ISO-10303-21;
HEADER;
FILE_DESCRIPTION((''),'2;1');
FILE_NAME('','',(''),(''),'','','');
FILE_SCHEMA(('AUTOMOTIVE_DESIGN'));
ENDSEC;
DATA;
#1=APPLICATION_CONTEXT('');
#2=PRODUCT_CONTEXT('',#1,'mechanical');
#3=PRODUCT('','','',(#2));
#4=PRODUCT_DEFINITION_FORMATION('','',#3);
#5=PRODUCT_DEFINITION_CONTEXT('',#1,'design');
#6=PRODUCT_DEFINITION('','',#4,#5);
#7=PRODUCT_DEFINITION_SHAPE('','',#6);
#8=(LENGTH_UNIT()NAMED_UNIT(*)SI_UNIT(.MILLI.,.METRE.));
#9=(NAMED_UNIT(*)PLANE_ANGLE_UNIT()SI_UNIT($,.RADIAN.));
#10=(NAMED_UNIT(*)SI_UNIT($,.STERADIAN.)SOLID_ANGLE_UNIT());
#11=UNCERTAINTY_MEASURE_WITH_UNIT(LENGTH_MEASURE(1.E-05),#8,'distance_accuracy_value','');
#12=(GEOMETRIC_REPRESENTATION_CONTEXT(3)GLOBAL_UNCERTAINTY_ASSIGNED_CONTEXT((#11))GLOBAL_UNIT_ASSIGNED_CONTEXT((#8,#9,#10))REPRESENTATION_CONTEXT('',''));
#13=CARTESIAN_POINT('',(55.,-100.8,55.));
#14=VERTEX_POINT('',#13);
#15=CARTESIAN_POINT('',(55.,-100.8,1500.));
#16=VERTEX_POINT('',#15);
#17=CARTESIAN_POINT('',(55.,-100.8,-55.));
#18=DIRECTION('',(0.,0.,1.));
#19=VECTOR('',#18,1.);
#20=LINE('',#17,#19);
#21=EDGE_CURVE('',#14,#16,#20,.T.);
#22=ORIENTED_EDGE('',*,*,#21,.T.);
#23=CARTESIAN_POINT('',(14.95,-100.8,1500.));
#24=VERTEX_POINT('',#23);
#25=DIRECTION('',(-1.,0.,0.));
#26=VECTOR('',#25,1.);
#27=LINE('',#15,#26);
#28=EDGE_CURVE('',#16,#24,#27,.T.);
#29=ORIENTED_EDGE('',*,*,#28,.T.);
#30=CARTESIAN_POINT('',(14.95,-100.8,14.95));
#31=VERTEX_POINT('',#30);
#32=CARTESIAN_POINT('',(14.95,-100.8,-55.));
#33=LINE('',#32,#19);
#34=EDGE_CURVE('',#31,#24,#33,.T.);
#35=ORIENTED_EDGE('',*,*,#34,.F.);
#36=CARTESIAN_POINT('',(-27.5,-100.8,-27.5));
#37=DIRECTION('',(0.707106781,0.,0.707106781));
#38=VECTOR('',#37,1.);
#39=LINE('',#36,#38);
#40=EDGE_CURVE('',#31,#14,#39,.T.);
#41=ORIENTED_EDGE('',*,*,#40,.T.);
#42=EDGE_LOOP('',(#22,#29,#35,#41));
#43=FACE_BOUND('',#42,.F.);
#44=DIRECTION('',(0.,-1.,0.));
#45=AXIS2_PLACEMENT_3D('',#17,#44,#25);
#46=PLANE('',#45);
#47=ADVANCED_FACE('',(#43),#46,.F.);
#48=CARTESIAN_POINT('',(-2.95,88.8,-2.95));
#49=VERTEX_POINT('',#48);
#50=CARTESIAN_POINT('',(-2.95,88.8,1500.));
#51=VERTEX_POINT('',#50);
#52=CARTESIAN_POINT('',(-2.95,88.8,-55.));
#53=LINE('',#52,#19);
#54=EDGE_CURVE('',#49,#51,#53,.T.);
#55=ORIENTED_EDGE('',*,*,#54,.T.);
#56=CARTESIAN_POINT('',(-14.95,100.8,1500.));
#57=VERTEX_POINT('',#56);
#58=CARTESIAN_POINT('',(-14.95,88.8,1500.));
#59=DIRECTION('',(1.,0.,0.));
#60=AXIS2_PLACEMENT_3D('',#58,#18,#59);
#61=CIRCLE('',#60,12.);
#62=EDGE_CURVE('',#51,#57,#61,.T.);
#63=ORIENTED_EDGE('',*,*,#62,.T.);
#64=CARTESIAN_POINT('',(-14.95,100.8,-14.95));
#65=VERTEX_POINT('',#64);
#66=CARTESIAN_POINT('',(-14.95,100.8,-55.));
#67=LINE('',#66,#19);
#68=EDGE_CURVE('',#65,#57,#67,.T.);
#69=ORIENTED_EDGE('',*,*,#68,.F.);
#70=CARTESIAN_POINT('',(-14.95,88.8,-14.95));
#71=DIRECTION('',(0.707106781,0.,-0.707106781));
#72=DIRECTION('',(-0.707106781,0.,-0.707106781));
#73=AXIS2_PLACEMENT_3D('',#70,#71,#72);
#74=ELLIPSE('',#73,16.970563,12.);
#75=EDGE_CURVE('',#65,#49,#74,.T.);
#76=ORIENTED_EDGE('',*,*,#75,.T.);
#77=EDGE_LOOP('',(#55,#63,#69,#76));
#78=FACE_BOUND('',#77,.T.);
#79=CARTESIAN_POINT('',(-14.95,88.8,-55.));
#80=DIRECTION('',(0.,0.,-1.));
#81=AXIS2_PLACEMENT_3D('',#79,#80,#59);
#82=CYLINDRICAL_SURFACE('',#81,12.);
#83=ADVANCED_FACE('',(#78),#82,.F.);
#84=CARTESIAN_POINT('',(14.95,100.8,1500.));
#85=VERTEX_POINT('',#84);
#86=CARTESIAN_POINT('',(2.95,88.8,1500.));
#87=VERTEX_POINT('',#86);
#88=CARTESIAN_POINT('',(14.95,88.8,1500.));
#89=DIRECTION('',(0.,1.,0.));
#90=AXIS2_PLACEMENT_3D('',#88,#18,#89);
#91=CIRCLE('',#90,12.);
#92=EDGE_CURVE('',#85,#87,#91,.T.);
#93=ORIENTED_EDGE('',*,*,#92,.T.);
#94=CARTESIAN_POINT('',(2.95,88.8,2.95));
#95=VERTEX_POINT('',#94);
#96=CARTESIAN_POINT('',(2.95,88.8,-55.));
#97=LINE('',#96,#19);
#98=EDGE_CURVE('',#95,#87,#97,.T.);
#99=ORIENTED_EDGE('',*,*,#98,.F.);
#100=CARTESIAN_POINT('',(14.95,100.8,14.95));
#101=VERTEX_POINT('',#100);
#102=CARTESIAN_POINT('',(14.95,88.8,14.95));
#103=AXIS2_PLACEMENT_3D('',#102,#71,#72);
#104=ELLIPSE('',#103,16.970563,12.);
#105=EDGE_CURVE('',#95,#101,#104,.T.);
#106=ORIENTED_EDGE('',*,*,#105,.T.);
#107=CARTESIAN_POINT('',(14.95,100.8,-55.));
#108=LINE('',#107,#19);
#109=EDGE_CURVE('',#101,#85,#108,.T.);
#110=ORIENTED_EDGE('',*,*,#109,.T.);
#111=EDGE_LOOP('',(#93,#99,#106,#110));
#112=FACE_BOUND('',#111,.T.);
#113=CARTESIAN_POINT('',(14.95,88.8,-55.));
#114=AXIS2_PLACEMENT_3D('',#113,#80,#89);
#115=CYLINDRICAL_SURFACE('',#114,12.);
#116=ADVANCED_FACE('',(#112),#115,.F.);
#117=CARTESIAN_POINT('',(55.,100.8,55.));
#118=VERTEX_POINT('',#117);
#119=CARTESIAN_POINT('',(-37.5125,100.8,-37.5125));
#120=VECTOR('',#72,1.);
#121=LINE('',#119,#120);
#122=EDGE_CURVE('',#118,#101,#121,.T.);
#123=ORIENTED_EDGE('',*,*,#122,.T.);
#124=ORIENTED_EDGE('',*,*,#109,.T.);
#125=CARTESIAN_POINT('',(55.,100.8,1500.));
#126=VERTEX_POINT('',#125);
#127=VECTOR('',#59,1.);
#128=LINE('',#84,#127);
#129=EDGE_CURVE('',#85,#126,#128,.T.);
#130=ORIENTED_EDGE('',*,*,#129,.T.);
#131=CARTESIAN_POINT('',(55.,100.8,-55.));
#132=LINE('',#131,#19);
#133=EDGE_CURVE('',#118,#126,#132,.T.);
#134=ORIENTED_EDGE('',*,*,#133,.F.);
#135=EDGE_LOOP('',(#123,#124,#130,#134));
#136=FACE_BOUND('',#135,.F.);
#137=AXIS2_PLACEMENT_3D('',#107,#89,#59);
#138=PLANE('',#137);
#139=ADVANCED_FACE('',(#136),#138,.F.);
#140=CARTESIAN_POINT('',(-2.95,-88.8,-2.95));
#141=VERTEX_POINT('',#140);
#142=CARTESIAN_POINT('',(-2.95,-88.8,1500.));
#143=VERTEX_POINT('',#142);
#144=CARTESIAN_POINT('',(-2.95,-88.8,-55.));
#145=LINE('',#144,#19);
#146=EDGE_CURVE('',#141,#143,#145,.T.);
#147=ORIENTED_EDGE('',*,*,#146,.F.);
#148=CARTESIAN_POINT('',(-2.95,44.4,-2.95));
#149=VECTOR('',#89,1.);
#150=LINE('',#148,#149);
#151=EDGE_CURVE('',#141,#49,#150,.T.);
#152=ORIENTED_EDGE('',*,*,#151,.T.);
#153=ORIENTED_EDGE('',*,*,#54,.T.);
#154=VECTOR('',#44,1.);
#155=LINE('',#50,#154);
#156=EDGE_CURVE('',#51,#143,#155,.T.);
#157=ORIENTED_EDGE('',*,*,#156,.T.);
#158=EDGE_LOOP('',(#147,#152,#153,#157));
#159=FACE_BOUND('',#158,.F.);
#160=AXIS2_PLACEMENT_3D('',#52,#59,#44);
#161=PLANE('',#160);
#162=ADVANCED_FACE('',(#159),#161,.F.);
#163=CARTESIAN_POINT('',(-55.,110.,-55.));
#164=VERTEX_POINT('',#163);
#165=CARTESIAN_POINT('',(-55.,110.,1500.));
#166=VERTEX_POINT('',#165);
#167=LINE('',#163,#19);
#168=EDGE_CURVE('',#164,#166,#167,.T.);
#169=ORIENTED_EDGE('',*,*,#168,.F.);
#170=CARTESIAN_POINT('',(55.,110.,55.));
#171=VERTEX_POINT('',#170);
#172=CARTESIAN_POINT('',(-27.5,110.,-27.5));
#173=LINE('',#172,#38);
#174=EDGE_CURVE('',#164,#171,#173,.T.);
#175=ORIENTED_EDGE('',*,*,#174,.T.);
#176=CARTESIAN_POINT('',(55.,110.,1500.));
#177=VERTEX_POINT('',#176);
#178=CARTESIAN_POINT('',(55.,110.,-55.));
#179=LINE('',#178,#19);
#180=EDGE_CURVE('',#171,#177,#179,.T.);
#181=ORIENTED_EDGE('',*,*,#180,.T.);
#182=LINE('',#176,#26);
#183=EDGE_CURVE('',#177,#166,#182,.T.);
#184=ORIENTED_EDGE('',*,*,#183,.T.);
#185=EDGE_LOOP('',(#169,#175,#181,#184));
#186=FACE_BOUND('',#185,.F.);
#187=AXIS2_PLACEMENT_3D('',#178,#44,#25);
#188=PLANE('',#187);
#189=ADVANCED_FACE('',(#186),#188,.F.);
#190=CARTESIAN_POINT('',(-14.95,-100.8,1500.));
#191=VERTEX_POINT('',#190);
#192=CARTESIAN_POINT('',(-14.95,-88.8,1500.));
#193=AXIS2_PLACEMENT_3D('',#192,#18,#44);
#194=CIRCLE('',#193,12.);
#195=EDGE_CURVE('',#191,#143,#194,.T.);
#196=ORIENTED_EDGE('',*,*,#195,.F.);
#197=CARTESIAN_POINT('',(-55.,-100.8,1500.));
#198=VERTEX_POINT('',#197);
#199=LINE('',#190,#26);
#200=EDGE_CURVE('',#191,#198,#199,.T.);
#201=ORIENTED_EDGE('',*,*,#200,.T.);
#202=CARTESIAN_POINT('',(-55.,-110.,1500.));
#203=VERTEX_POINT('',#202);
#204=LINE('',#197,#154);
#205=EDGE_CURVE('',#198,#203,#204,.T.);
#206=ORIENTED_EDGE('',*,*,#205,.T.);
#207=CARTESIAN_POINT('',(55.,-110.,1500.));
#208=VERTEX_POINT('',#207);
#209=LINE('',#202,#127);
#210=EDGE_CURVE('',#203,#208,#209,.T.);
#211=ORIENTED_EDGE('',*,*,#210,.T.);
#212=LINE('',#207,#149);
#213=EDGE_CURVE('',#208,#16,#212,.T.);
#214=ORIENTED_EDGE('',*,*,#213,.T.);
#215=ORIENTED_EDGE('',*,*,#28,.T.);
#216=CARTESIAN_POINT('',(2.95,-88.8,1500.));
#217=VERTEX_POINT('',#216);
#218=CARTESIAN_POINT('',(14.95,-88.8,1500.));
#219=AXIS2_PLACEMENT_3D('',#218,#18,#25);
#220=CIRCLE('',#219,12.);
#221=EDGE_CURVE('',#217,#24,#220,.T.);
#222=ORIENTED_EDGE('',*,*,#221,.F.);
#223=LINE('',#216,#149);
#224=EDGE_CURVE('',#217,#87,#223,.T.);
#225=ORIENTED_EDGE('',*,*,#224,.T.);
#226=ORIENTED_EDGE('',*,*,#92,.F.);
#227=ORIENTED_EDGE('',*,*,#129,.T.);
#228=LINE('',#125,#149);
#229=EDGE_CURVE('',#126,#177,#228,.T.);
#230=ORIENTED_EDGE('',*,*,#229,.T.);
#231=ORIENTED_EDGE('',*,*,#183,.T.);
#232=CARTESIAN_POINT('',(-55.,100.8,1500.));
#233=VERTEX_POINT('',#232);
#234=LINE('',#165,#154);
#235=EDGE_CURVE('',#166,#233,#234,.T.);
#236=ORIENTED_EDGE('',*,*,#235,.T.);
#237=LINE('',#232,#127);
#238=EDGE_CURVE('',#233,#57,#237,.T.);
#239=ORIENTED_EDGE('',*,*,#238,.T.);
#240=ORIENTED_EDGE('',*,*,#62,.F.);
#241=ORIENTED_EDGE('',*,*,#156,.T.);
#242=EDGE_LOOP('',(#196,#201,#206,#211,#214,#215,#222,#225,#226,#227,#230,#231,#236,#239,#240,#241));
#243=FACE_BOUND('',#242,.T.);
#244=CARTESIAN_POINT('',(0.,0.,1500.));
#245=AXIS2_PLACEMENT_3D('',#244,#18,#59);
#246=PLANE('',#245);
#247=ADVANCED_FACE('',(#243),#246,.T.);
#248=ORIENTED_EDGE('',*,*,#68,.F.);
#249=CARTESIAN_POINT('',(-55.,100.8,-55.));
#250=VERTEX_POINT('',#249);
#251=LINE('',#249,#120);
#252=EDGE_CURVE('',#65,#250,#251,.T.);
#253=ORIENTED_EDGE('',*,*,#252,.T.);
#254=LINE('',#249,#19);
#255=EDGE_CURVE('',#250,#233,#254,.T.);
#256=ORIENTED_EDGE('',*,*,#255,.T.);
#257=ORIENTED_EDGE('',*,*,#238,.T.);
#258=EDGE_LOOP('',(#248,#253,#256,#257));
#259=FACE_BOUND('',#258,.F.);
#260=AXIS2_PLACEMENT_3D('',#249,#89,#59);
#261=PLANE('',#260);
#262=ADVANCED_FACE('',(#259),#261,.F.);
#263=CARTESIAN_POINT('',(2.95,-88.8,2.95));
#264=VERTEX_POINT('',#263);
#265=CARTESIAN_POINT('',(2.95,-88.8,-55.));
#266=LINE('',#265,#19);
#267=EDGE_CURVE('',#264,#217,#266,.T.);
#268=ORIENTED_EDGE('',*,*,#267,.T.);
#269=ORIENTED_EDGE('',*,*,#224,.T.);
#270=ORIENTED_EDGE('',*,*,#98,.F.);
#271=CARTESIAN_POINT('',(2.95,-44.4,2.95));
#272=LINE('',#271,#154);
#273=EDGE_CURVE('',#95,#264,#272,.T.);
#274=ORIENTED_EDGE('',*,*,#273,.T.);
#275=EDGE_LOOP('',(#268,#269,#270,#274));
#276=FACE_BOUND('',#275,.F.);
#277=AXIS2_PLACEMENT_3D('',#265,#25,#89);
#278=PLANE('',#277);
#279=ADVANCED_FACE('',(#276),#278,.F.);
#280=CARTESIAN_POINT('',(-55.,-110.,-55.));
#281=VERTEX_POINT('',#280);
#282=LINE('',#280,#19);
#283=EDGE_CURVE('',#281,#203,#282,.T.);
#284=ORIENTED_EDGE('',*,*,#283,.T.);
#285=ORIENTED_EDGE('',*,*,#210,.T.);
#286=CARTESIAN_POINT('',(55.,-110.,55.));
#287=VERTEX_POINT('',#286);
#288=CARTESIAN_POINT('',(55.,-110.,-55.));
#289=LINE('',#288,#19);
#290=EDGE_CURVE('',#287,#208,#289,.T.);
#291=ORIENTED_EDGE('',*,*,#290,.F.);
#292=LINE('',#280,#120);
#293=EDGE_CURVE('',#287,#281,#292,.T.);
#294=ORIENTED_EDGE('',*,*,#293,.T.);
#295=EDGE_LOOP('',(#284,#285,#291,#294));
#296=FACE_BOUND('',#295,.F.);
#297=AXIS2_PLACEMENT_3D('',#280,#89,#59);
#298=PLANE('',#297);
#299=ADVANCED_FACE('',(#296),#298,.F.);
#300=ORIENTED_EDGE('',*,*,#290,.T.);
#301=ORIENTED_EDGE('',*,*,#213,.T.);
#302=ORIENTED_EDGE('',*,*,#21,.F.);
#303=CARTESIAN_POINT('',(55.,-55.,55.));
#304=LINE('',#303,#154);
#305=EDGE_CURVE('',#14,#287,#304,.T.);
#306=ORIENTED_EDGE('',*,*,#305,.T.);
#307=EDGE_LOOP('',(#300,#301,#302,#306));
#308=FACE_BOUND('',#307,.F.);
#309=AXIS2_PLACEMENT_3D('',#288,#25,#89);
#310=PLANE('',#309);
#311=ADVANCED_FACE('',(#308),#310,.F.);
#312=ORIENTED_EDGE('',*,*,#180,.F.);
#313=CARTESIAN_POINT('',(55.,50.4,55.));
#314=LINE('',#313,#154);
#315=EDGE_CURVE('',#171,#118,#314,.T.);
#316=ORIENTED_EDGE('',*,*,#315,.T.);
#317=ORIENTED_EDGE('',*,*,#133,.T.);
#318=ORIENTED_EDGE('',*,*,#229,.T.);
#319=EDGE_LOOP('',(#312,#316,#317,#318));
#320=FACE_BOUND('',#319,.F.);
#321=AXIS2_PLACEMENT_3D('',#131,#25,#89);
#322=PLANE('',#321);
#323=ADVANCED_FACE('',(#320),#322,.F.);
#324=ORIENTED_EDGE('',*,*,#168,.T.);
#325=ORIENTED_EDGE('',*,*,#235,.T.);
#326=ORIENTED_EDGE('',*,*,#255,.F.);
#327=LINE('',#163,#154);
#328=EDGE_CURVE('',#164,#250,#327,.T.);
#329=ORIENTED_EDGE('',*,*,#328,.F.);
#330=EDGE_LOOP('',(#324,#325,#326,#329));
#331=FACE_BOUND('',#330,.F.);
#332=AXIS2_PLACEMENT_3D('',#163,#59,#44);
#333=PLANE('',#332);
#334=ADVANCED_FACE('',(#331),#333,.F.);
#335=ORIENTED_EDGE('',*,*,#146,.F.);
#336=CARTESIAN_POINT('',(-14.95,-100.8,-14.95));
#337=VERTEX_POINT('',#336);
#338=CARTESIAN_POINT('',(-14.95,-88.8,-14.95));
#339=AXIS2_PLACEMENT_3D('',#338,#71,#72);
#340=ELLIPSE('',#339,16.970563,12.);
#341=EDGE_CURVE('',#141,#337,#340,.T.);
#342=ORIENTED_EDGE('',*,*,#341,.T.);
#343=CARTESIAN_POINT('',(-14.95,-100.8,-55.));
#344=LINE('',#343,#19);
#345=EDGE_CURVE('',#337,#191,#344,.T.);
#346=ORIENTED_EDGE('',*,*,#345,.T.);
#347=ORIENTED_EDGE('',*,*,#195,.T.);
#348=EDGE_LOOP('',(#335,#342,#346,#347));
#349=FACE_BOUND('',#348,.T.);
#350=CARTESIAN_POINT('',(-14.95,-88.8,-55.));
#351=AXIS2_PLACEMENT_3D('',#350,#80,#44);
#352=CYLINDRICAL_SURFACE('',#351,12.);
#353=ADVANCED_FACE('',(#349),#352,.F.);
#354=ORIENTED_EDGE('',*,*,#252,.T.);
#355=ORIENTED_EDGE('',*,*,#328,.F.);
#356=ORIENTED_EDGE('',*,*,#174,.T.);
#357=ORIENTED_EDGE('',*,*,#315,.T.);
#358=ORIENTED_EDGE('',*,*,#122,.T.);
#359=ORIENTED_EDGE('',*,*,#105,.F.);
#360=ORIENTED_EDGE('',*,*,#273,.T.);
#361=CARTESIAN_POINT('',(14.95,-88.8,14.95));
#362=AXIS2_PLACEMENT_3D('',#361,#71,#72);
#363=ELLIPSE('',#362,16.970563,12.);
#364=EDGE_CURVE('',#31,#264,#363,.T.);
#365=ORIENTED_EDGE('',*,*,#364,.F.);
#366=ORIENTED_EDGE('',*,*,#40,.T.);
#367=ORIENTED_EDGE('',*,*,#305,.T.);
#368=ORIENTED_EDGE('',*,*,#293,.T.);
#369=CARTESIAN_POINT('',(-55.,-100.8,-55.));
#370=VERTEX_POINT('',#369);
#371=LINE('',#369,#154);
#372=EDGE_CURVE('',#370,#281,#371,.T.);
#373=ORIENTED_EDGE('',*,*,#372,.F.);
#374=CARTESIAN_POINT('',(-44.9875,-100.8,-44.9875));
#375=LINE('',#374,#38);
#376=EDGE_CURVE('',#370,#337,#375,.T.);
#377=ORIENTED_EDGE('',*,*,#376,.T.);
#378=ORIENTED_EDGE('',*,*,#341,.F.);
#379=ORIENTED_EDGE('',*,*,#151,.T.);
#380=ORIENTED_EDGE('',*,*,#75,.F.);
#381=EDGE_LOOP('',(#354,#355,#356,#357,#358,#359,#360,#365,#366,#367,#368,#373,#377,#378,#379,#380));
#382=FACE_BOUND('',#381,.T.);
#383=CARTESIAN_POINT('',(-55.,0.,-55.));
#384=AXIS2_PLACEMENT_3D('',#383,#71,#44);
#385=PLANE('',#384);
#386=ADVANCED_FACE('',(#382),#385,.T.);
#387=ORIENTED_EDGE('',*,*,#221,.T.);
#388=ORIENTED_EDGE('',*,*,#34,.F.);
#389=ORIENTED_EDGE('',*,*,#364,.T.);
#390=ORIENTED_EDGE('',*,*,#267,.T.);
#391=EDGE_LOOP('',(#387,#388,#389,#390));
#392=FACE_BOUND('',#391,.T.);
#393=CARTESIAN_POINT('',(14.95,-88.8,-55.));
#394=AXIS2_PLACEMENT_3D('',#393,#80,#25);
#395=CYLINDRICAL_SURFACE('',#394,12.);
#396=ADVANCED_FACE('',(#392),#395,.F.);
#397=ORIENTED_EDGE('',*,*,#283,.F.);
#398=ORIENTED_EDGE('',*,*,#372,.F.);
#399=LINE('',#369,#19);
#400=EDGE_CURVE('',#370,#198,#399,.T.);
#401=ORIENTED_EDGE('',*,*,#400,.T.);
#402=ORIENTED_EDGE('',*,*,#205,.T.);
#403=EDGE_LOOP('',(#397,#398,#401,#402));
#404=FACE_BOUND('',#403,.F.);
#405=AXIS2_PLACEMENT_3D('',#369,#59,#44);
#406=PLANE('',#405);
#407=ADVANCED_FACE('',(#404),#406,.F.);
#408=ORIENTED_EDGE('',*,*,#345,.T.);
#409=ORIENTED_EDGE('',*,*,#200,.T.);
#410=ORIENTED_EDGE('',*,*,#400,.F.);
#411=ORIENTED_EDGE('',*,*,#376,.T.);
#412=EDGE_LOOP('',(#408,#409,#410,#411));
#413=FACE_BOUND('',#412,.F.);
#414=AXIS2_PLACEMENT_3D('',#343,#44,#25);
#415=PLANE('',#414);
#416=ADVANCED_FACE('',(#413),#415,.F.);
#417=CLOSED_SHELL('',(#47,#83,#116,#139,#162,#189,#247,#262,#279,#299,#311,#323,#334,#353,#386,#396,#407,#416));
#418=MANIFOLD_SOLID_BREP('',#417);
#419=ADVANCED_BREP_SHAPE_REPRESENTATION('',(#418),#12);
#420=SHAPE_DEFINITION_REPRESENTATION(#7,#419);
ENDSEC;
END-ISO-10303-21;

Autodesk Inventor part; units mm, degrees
ref_plane "Start plane" through (0, 0, -55) normal (0, 0, 1) x (1, 0, 0)
ref_plane "End plane" through (0, 0, 1500) normal (0, 0, 1) x (1, 0, 0)
sketch "Sketch2" plane through (0, 0, 0) normal (0, 0, 1) x (1, 0, 0)
  line L0 (-55, 100.8) -> (-14.95, 100.8)
  line L1 (-55, 110) -> (-55, 100.8)
  line L2 (55, 110) -> (-55, 110)
  line L3 (55, 100.8) -> (55, 110)
  line L4 (14.95, 100.8) -> (55, 100.8)
  line L5 (2.95, -88.8) -> (2.95, 88.8)
  line L6 (55, -100.8) -> (14.95, -100.8)
  line L7 (55, -110) -> (55, -100.8)
  line L8 (-55, -100.8) -> (-55, -110)
  line L9 (-14.95, -100.8) -> (-55, -100.8)
  line L10 (-2.95, 88.8) -> (-2.95, -88.8)
  line L11 (0, -154) -> (0, 154) construction
  line L12 (-2.95, -100.8) -> (2.95, -100.8) construction
  arc A0 (-14.95, -100.8) -> (-2.95, -88.8) centre (-14.95, -88.8) ccw
  arc A1 (-2.95, 88.8) -> (-14.95, 100.8) centre (-14.95, 88.8) ccw
  arc A2 (14.95, 100.8) -> (2.95, 88.8) centre (14.95, 88.8) ccw
  arc A3 (2.95, -88.8) -> (14.95, -100.8) centre (14.95, -88.8) ccw
  line L13 (-77, 0) -> (77, 0) construction
  line L14 (-55, -110) -> (55, -110)
  point P0 (-2.95, 100.8)
  point P1 (2.95, 100.8)
  point P2 (0, 0)
  point P3 (0, -100.8)
  point P4 (0, 0)
  dimension "d1" = 220
  dimension "d3" = 9.2
  dimension "d5" = 5.9
  dimension "d7" = 110
  dimension "d13" = 12
  dimension "d14" = 110
  dimension "d15" = 55
extrude "Body" add sketch "Sketch2" along normal up to surface (1555 mm away) from surface at -55
sketch "Sketch3" plane through (0, 0, 0) normal (0, 0, 1) x (1, 0, 0)
  line L0 (0, 0) -> (10, 0)
ref_plane "Work Plane3" through (0, 0, 0) normal (0, -1, 0) x (1, 0, 0)
ref_plane "Work Plane4" through (-55, 0, -55) normal (0.7071, 0, -0.7071) x (-0.7071, 0, -0.7071)
split "Split1" plane through (-55, 0, -55) removes the side toward (0.7071, 0, -0.7071)
sketch "Sketch4" plane through (0, 0, 0) normal (0, -1, 0) x (1, 0, 0)
  line L0 (-2, -55) -> (12, -55) projected
  line L1 (-2, 1500) -> (12, 1500) projected
  dimension "d19" = 1555
equation "\"d1\" = ParH"
equation "\"d3\" = t2"
equation "\"d5\" = t1"
equation "\"d7\" = b"
equation "\"d13\" = R1"
equation "\"d14\" = 0.5 * d1"
equation "\"d15\" = 0.5 * d7"
equation "\"d8\" = G_L"
equation "\"b\" = 110"
equation "\"ParH\" = 220"
equation "\"R1\" = 12"
equation "\"G_L\" = d19"
equation "\"t1\" = 5.9"
equation "\"t2\" = 9.2"
equation "\"G_OFFSET_START\" = 55"
equation "\"G_OFFSET_END\" = 0"
equation "\"d16\" = -G_OFFSET_START"
properties part number "DIN 1025 - IPE 220-1555" material "Steel, Mild"
